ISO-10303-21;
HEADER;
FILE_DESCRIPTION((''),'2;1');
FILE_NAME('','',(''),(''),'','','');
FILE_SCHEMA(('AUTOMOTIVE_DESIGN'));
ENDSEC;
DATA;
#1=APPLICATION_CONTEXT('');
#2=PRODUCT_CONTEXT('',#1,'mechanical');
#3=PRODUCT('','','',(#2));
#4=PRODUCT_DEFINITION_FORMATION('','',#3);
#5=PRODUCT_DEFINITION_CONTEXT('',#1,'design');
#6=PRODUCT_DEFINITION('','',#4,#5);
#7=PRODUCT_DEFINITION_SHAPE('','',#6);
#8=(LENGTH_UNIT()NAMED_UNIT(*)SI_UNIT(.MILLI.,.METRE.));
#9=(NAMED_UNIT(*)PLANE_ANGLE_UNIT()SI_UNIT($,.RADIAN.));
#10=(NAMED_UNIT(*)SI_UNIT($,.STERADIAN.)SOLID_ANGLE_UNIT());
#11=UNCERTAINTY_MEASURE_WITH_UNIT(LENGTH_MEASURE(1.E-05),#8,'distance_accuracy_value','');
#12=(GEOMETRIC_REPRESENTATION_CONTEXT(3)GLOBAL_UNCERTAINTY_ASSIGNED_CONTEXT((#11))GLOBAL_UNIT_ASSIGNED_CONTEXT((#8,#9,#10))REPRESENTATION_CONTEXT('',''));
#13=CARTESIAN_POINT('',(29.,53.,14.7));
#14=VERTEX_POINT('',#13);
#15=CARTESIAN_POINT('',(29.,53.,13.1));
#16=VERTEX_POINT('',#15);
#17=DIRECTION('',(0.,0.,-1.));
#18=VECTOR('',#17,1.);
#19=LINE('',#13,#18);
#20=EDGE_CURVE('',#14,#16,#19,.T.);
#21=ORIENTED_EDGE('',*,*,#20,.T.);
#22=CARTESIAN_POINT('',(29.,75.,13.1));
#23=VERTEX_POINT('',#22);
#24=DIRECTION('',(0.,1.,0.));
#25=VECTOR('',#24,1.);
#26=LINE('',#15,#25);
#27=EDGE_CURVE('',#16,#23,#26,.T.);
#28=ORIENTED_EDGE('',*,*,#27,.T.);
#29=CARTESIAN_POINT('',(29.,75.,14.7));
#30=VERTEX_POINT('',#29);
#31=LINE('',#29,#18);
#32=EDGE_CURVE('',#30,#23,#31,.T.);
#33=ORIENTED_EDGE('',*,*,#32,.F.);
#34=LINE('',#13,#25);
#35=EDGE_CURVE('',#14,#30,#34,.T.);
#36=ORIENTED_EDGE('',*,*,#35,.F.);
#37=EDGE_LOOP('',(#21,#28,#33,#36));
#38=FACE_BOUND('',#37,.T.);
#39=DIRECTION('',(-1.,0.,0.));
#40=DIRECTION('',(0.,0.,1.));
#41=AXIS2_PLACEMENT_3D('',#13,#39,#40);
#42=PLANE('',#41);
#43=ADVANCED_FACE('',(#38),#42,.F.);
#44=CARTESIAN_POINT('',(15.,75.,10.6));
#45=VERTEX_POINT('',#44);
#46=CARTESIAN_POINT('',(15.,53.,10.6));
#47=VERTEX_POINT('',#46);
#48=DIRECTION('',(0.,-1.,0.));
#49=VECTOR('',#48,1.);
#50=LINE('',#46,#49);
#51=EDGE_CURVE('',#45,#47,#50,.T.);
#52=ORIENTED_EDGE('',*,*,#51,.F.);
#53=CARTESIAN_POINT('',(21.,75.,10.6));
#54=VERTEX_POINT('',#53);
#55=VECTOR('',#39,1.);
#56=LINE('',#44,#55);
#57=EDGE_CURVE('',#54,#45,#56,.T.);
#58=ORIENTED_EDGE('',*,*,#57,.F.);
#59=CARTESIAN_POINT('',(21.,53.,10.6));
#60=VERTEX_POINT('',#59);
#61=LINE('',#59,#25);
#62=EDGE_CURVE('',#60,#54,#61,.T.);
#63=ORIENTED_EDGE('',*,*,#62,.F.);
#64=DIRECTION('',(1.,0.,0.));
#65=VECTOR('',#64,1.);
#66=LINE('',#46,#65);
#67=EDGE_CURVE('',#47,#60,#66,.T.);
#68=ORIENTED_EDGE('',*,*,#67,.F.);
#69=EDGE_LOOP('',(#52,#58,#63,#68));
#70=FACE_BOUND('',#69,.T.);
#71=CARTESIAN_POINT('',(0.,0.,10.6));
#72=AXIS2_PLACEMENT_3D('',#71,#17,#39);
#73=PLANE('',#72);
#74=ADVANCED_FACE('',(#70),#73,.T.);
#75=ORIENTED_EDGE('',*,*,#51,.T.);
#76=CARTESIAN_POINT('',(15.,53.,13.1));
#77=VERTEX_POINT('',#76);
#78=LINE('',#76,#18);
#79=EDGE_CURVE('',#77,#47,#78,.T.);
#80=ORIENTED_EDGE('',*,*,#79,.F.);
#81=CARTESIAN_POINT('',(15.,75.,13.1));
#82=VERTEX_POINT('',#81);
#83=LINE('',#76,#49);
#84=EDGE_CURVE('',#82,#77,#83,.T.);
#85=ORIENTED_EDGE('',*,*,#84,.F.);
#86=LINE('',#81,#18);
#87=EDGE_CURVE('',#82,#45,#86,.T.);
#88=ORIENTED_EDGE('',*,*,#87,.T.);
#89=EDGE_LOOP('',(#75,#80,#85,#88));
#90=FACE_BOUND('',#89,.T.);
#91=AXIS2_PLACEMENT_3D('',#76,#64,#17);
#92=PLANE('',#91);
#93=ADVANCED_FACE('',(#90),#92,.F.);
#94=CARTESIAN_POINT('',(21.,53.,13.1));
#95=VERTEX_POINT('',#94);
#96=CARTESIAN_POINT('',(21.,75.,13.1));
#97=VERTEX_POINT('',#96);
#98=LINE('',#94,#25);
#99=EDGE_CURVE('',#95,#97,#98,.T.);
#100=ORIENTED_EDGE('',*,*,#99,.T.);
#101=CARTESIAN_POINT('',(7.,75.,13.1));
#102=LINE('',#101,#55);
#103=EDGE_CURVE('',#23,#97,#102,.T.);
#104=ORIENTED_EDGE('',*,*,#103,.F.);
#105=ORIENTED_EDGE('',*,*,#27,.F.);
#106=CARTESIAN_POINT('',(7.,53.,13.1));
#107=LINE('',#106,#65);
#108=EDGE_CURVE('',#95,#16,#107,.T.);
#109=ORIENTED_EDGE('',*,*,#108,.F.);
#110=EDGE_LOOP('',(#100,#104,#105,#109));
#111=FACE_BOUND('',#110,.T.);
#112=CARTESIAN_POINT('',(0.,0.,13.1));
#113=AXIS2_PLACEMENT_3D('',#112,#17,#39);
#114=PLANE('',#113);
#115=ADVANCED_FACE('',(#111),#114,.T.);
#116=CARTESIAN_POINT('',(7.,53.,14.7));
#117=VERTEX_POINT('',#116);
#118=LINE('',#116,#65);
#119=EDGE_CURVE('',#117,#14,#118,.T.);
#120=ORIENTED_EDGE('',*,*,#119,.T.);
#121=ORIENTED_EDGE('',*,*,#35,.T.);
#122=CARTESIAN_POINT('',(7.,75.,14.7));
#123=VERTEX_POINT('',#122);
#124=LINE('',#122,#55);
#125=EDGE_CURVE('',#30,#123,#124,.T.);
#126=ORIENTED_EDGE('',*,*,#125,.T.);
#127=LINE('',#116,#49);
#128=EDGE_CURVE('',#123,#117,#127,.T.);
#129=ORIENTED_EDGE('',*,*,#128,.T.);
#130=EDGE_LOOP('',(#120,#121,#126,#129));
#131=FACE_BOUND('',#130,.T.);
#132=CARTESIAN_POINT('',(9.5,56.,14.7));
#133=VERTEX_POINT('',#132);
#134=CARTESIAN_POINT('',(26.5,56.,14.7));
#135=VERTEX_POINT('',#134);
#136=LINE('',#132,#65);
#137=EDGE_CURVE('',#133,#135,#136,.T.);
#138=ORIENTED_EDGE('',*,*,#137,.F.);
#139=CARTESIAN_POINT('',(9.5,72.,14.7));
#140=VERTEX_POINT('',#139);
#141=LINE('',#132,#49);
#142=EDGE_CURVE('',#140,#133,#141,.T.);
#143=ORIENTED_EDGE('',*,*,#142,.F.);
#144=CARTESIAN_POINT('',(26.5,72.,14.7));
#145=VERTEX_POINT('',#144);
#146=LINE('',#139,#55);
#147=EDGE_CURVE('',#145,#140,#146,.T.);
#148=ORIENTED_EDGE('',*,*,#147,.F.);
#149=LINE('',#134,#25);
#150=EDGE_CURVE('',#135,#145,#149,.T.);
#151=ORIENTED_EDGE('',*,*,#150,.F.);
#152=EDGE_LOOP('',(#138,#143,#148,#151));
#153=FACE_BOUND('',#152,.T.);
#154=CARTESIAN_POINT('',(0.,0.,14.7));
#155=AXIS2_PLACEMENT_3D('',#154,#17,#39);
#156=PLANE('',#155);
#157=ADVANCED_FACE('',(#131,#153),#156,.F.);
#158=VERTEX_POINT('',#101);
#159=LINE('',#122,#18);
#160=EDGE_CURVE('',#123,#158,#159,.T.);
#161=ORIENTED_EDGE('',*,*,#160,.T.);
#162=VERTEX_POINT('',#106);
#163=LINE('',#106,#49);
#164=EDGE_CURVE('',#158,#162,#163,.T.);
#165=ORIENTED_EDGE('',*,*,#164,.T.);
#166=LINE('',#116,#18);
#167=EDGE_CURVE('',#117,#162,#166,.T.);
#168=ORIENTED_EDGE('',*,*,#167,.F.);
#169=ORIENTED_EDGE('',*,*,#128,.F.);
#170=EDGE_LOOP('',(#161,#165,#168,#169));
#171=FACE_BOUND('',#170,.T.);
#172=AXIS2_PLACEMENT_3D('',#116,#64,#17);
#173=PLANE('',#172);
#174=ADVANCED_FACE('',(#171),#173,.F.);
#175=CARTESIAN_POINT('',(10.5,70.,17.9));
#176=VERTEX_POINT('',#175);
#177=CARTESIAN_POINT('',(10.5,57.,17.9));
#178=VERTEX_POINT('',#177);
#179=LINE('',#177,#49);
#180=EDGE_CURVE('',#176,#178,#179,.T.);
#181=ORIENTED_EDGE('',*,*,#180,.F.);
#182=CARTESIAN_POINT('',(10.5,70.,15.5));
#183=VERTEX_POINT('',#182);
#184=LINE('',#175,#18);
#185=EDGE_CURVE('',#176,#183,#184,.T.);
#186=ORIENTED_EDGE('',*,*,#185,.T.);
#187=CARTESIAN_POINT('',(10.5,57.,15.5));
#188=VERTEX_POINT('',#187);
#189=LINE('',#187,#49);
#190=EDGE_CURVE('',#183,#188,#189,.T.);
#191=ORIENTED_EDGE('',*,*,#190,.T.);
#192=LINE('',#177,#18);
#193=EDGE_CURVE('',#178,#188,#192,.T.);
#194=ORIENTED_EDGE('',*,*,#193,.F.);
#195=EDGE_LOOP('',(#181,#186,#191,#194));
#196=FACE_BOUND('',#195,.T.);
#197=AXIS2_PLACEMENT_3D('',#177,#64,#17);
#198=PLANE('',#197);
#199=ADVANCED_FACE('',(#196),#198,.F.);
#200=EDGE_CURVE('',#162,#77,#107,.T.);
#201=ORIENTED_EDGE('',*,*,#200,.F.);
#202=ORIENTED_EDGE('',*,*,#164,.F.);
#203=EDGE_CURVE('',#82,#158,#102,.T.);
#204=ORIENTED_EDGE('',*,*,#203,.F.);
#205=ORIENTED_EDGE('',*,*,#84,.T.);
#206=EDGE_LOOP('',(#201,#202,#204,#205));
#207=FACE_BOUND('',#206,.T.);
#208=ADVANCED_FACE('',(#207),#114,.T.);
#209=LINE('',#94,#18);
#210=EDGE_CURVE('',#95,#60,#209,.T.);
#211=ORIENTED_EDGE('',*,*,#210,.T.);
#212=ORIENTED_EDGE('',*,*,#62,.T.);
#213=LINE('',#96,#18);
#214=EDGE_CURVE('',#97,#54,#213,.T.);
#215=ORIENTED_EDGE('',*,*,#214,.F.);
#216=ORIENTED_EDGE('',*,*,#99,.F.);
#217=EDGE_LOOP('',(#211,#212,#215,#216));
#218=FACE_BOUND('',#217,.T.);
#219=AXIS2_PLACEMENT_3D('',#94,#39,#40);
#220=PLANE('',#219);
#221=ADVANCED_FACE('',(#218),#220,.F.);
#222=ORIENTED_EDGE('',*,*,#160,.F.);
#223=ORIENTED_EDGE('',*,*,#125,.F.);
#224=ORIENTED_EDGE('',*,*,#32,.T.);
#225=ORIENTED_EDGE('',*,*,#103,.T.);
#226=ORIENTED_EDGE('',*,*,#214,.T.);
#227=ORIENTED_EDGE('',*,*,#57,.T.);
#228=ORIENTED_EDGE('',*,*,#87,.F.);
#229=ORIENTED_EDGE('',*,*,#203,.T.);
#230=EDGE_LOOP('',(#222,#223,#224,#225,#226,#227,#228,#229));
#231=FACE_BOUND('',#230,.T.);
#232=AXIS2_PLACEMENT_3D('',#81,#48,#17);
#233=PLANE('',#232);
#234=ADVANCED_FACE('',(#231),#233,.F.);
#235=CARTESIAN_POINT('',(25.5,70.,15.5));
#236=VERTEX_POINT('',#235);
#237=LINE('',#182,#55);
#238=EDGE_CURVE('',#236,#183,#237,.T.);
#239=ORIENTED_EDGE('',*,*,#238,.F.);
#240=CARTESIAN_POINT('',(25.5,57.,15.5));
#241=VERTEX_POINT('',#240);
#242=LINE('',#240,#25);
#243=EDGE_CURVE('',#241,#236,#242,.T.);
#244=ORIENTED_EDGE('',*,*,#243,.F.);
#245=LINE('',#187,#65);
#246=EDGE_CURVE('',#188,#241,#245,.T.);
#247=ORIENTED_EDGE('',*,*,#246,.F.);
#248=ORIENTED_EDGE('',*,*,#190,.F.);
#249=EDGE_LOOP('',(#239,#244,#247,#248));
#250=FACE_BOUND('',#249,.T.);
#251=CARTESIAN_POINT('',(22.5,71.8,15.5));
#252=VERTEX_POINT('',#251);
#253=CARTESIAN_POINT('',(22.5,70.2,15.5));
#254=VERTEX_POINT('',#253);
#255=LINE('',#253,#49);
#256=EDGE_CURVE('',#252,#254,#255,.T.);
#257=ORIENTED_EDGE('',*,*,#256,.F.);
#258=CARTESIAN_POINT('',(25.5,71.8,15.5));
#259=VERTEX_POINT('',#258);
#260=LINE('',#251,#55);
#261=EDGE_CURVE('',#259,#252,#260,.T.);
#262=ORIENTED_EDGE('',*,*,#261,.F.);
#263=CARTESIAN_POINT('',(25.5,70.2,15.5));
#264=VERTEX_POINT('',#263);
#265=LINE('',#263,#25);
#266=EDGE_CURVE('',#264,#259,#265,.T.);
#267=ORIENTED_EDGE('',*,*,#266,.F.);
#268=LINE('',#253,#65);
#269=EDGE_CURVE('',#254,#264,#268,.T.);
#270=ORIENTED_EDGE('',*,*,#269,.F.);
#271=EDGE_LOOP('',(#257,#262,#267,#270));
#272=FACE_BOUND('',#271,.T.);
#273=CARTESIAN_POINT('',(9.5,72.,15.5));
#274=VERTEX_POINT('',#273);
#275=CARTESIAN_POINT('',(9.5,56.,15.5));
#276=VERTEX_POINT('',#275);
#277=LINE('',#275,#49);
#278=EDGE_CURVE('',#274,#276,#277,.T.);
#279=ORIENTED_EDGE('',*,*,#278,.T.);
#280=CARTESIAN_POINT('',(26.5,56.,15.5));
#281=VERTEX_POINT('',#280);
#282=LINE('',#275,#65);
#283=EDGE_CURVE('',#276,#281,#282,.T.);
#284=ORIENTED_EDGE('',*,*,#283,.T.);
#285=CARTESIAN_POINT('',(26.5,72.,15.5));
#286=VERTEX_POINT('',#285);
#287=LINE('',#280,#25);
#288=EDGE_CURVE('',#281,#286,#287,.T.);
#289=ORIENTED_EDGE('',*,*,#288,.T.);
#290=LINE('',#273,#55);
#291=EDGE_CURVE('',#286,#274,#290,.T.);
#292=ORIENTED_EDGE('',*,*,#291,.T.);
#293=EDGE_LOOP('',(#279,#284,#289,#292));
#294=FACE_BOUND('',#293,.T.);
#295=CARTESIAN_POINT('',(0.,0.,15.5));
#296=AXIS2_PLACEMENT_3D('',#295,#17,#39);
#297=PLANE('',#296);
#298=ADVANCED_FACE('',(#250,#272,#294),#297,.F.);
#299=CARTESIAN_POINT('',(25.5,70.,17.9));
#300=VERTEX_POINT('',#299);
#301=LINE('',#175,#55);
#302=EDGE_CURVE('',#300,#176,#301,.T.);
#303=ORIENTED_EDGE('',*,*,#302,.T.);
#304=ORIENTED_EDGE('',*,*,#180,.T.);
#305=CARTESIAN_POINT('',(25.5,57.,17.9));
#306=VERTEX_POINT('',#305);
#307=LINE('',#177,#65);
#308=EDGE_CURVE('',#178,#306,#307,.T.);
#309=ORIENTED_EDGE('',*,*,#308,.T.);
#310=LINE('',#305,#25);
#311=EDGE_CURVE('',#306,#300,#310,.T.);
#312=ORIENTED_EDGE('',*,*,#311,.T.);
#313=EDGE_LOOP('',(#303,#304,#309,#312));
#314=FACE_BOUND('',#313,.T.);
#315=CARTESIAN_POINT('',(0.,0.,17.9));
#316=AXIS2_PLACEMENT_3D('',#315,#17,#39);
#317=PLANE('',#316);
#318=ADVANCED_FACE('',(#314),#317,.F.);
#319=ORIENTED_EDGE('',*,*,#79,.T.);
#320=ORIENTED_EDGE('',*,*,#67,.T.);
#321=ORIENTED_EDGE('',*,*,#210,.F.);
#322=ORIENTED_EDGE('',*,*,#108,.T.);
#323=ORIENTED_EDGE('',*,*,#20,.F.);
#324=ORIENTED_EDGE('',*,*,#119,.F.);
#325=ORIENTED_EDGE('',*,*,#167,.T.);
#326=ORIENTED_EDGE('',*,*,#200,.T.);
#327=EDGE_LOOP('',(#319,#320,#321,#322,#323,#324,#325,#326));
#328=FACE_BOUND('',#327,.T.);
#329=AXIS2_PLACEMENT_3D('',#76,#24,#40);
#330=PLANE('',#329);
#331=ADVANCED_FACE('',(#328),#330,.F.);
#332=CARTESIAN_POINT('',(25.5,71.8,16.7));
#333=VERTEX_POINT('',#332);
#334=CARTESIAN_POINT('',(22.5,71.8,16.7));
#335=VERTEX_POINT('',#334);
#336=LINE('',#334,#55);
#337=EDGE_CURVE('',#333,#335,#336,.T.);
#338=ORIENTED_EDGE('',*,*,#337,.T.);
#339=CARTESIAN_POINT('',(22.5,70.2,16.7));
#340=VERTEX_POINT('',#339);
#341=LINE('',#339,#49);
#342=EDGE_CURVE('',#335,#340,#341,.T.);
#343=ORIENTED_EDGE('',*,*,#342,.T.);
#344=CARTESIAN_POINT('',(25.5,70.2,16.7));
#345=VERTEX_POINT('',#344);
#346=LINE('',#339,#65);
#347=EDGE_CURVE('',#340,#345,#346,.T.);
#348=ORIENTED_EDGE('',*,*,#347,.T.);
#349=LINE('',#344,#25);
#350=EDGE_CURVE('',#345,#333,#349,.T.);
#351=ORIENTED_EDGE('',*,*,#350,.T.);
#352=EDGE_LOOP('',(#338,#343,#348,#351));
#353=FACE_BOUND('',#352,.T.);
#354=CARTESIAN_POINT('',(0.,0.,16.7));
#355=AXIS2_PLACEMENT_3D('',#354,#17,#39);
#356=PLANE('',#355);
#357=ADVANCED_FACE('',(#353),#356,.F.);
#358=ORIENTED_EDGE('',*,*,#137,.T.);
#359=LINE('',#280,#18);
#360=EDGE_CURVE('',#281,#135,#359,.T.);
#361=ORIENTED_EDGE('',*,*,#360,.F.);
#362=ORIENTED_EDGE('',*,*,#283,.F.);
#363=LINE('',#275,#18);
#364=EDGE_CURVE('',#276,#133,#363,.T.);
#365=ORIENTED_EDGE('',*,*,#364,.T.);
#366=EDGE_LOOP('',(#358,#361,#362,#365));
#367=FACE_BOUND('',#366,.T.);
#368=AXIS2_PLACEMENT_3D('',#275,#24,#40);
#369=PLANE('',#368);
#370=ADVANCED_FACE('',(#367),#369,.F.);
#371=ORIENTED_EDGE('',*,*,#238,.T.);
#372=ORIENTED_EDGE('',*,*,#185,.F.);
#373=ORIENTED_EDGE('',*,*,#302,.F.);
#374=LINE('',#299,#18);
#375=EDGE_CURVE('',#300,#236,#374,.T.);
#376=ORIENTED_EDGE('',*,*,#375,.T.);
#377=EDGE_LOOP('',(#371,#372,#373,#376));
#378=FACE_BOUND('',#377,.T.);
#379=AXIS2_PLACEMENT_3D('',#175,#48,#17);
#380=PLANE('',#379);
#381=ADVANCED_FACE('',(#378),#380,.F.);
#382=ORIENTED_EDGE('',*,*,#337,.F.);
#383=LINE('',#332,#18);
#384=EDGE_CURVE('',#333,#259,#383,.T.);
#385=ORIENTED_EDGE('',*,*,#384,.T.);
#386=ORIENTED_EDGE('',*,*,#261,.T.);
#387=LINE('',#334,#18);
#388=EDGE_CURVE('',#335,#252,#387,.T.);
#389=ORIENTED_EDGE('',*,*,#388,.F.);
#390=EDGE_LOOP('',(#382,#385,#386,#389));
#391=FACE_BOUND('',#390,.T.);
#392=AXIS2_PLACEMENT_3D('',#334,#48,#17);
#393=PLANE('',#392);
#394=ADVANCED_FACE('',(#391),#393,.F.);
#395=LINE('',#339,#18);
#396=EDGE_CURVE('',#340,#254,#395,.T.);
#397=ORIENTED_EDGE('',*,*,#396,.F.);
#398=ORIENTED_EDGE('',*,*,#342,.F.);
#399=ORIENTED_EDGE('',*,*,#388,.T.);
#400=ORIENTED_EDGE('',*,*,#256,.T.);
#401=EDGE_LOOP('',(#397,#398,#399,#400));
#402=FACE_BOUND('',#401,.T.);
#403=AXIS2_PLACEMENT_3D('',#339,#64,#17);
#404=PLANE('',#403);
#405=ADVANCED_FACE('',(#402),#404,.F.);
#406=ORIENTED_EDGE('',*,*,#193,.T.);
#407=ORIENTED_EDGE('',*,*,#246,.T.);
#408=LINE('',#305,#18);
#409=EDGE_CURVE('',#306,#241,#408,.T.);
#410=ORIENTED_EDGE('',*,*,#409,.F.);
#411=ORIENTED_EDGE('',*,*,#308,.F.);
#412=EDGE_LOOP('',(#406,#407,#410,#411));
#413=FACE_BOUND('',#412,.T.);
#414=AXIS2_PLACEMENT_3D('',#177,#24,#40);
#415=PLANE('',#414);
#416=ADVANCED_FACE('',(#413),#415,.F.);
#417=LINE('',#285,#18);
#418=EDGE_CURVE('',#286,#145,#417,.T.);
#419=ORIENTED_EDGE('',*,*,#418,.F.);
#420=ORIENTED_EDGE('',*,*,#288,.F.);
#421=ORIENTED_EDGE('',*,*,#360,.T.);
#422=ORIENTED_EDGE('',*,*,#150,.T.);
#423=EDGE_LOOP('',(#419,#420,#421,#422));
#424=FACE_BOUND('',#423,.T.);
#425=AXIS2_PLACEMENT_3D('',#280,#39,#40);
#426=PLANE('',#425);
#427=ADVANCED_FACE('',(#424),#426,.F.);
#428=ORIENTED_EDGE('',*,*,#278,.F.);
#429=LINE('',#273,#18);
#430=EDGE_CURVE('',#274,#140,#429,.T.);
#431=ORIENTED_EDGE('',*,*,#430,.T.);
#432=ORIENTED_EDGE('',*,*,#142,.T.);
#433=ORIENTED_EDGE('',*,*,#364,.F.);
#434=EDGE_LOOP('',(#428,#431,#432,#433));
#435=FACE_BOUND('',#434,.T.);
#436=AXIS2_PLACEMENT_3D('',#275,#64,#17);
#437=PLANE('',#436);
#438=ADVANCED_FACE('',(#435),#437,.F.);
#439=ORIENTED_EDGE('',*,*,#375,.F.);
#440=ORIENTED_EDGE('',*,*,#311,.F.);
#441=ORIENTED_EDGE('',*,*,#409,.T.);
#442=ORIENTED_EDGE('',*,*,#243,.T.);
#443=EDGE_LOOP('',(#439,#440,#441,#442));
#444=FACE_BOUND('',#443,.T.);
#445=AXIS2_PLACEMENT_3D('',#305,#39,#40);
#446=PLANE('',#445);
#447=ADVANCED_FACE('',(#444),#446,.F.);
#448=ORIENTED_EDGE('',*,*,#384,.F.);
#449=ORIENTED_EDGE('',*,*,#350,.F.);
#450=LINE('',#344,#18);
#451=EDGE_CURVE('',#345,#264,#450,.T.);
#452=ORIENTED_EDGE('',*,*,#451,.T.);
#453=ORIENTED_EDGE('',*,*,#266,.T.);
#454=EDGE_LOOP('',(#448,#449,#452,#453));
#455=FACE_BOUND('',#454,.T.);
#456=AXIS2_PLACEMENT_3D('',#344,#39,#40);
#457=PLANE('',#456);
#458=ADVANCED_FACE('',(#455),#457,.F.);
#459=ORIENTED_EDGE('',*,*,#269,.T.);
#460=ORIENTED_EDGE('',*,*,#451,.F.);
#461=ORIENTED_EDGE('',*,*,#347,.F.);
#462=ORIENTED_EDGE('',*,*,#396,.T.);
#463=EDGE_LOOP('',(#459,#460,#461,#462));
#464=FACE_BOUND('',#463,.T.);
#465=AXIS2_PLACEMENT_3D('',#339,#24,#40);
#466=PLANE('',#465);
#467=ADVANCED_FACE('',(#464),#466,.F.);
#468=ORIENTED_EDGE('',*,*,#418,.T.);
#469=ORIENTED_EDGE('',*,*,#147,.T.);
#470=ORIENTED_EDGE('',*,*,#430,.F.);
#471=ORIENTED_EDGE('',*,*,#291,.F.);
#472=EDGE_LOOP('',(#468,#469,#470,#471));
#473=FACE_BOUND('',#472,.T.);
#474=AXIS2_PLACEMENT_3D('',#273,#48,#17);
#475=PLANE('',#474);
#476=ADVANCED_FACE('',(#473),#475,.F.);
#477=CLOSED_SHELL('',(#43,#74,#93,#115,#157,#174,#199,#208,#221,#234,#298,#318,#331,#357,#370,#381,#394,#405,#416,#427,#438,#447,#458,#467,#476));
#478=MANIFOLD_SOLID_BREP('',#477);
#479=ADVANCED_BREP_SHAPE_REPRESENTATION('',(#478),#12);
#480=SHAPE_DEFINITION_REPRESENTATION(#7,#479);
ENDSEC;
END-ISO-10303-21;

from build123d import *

# Parameters (mm, degrees)
SKETCH1_W           = 6
SKETCH1_H           = 22
BOSS_EXTRUDE1_DEPTH = 2.5
SKETCH2_W           = 22
SKETCH2_H           = 22
BOSS_EXTRUDE2_DEPTH = 1.6
SKETCH3_W           = 17
SKETCH3_H           = 16
BOSS_EXTRUDE3_DEPTH = 0.8
SKETCH4_W           = 15
SKETCH4_H           = 13
BOSS_EXTRUDE4_DEPTH = 2.4
SKETCH5_W           = 3
SKETCH5_H           = 1.6
BOSS_EXTRUDE5_DEPTH = 1.2


with BuildPart() as part:
    # Sketch1 → Boss-Extrude1 (new body)
    with BuildSketch(Plane.XY.offset(10.6)):
        with Locations((18, 64)):
            Rectangle(SKETCH1_W, SKETCH1_H)
    extrude(amount=BOSS_EXTRUDE1_DEPTH)

    # Sketch2 → Boss-Extrude2 (add)
    with BuildSketch(Plane.XY.offset(13.1)):
        with Locations((18, 64)):
            Rectangle(SKETCH2_W, SKETCH2_H)
    extrude(amount=BOSS_EXTRUDE2_DEPTH)

    # Sketch3 → Boss-Extrude3 (add)
    with BuildSketch(Plane.XY.offset(14.7)):
        with Locations((18, 64)):
            Rectangle(SKETCH3_W, SKETCH3_H)
    extrude(amount=BOSS_EXTRUDE3_DEPTH)

    # Sketch4 → Boss-Extrude4 (add)
    with BuildSketch(Plane.XY.offset(15.5)):
        with Locations((18, 63.5)):
            Rectangle(SKETCH4_W, SKETCH4_H)
    extrude(amount=BOSS_EXTRUDE4_DEPTH)

    # Sketch5 → Boss-Extrude5 (add)
    with BuildSketch(Plane.XY.offset(15.5)):
        with Locations((24, 71)):
            Rectangle(SKETCH5_W, SKETCH5_H)
    extrude(amount=BOSS_EXTRUDE5_DEPTH)


solid = part.part
